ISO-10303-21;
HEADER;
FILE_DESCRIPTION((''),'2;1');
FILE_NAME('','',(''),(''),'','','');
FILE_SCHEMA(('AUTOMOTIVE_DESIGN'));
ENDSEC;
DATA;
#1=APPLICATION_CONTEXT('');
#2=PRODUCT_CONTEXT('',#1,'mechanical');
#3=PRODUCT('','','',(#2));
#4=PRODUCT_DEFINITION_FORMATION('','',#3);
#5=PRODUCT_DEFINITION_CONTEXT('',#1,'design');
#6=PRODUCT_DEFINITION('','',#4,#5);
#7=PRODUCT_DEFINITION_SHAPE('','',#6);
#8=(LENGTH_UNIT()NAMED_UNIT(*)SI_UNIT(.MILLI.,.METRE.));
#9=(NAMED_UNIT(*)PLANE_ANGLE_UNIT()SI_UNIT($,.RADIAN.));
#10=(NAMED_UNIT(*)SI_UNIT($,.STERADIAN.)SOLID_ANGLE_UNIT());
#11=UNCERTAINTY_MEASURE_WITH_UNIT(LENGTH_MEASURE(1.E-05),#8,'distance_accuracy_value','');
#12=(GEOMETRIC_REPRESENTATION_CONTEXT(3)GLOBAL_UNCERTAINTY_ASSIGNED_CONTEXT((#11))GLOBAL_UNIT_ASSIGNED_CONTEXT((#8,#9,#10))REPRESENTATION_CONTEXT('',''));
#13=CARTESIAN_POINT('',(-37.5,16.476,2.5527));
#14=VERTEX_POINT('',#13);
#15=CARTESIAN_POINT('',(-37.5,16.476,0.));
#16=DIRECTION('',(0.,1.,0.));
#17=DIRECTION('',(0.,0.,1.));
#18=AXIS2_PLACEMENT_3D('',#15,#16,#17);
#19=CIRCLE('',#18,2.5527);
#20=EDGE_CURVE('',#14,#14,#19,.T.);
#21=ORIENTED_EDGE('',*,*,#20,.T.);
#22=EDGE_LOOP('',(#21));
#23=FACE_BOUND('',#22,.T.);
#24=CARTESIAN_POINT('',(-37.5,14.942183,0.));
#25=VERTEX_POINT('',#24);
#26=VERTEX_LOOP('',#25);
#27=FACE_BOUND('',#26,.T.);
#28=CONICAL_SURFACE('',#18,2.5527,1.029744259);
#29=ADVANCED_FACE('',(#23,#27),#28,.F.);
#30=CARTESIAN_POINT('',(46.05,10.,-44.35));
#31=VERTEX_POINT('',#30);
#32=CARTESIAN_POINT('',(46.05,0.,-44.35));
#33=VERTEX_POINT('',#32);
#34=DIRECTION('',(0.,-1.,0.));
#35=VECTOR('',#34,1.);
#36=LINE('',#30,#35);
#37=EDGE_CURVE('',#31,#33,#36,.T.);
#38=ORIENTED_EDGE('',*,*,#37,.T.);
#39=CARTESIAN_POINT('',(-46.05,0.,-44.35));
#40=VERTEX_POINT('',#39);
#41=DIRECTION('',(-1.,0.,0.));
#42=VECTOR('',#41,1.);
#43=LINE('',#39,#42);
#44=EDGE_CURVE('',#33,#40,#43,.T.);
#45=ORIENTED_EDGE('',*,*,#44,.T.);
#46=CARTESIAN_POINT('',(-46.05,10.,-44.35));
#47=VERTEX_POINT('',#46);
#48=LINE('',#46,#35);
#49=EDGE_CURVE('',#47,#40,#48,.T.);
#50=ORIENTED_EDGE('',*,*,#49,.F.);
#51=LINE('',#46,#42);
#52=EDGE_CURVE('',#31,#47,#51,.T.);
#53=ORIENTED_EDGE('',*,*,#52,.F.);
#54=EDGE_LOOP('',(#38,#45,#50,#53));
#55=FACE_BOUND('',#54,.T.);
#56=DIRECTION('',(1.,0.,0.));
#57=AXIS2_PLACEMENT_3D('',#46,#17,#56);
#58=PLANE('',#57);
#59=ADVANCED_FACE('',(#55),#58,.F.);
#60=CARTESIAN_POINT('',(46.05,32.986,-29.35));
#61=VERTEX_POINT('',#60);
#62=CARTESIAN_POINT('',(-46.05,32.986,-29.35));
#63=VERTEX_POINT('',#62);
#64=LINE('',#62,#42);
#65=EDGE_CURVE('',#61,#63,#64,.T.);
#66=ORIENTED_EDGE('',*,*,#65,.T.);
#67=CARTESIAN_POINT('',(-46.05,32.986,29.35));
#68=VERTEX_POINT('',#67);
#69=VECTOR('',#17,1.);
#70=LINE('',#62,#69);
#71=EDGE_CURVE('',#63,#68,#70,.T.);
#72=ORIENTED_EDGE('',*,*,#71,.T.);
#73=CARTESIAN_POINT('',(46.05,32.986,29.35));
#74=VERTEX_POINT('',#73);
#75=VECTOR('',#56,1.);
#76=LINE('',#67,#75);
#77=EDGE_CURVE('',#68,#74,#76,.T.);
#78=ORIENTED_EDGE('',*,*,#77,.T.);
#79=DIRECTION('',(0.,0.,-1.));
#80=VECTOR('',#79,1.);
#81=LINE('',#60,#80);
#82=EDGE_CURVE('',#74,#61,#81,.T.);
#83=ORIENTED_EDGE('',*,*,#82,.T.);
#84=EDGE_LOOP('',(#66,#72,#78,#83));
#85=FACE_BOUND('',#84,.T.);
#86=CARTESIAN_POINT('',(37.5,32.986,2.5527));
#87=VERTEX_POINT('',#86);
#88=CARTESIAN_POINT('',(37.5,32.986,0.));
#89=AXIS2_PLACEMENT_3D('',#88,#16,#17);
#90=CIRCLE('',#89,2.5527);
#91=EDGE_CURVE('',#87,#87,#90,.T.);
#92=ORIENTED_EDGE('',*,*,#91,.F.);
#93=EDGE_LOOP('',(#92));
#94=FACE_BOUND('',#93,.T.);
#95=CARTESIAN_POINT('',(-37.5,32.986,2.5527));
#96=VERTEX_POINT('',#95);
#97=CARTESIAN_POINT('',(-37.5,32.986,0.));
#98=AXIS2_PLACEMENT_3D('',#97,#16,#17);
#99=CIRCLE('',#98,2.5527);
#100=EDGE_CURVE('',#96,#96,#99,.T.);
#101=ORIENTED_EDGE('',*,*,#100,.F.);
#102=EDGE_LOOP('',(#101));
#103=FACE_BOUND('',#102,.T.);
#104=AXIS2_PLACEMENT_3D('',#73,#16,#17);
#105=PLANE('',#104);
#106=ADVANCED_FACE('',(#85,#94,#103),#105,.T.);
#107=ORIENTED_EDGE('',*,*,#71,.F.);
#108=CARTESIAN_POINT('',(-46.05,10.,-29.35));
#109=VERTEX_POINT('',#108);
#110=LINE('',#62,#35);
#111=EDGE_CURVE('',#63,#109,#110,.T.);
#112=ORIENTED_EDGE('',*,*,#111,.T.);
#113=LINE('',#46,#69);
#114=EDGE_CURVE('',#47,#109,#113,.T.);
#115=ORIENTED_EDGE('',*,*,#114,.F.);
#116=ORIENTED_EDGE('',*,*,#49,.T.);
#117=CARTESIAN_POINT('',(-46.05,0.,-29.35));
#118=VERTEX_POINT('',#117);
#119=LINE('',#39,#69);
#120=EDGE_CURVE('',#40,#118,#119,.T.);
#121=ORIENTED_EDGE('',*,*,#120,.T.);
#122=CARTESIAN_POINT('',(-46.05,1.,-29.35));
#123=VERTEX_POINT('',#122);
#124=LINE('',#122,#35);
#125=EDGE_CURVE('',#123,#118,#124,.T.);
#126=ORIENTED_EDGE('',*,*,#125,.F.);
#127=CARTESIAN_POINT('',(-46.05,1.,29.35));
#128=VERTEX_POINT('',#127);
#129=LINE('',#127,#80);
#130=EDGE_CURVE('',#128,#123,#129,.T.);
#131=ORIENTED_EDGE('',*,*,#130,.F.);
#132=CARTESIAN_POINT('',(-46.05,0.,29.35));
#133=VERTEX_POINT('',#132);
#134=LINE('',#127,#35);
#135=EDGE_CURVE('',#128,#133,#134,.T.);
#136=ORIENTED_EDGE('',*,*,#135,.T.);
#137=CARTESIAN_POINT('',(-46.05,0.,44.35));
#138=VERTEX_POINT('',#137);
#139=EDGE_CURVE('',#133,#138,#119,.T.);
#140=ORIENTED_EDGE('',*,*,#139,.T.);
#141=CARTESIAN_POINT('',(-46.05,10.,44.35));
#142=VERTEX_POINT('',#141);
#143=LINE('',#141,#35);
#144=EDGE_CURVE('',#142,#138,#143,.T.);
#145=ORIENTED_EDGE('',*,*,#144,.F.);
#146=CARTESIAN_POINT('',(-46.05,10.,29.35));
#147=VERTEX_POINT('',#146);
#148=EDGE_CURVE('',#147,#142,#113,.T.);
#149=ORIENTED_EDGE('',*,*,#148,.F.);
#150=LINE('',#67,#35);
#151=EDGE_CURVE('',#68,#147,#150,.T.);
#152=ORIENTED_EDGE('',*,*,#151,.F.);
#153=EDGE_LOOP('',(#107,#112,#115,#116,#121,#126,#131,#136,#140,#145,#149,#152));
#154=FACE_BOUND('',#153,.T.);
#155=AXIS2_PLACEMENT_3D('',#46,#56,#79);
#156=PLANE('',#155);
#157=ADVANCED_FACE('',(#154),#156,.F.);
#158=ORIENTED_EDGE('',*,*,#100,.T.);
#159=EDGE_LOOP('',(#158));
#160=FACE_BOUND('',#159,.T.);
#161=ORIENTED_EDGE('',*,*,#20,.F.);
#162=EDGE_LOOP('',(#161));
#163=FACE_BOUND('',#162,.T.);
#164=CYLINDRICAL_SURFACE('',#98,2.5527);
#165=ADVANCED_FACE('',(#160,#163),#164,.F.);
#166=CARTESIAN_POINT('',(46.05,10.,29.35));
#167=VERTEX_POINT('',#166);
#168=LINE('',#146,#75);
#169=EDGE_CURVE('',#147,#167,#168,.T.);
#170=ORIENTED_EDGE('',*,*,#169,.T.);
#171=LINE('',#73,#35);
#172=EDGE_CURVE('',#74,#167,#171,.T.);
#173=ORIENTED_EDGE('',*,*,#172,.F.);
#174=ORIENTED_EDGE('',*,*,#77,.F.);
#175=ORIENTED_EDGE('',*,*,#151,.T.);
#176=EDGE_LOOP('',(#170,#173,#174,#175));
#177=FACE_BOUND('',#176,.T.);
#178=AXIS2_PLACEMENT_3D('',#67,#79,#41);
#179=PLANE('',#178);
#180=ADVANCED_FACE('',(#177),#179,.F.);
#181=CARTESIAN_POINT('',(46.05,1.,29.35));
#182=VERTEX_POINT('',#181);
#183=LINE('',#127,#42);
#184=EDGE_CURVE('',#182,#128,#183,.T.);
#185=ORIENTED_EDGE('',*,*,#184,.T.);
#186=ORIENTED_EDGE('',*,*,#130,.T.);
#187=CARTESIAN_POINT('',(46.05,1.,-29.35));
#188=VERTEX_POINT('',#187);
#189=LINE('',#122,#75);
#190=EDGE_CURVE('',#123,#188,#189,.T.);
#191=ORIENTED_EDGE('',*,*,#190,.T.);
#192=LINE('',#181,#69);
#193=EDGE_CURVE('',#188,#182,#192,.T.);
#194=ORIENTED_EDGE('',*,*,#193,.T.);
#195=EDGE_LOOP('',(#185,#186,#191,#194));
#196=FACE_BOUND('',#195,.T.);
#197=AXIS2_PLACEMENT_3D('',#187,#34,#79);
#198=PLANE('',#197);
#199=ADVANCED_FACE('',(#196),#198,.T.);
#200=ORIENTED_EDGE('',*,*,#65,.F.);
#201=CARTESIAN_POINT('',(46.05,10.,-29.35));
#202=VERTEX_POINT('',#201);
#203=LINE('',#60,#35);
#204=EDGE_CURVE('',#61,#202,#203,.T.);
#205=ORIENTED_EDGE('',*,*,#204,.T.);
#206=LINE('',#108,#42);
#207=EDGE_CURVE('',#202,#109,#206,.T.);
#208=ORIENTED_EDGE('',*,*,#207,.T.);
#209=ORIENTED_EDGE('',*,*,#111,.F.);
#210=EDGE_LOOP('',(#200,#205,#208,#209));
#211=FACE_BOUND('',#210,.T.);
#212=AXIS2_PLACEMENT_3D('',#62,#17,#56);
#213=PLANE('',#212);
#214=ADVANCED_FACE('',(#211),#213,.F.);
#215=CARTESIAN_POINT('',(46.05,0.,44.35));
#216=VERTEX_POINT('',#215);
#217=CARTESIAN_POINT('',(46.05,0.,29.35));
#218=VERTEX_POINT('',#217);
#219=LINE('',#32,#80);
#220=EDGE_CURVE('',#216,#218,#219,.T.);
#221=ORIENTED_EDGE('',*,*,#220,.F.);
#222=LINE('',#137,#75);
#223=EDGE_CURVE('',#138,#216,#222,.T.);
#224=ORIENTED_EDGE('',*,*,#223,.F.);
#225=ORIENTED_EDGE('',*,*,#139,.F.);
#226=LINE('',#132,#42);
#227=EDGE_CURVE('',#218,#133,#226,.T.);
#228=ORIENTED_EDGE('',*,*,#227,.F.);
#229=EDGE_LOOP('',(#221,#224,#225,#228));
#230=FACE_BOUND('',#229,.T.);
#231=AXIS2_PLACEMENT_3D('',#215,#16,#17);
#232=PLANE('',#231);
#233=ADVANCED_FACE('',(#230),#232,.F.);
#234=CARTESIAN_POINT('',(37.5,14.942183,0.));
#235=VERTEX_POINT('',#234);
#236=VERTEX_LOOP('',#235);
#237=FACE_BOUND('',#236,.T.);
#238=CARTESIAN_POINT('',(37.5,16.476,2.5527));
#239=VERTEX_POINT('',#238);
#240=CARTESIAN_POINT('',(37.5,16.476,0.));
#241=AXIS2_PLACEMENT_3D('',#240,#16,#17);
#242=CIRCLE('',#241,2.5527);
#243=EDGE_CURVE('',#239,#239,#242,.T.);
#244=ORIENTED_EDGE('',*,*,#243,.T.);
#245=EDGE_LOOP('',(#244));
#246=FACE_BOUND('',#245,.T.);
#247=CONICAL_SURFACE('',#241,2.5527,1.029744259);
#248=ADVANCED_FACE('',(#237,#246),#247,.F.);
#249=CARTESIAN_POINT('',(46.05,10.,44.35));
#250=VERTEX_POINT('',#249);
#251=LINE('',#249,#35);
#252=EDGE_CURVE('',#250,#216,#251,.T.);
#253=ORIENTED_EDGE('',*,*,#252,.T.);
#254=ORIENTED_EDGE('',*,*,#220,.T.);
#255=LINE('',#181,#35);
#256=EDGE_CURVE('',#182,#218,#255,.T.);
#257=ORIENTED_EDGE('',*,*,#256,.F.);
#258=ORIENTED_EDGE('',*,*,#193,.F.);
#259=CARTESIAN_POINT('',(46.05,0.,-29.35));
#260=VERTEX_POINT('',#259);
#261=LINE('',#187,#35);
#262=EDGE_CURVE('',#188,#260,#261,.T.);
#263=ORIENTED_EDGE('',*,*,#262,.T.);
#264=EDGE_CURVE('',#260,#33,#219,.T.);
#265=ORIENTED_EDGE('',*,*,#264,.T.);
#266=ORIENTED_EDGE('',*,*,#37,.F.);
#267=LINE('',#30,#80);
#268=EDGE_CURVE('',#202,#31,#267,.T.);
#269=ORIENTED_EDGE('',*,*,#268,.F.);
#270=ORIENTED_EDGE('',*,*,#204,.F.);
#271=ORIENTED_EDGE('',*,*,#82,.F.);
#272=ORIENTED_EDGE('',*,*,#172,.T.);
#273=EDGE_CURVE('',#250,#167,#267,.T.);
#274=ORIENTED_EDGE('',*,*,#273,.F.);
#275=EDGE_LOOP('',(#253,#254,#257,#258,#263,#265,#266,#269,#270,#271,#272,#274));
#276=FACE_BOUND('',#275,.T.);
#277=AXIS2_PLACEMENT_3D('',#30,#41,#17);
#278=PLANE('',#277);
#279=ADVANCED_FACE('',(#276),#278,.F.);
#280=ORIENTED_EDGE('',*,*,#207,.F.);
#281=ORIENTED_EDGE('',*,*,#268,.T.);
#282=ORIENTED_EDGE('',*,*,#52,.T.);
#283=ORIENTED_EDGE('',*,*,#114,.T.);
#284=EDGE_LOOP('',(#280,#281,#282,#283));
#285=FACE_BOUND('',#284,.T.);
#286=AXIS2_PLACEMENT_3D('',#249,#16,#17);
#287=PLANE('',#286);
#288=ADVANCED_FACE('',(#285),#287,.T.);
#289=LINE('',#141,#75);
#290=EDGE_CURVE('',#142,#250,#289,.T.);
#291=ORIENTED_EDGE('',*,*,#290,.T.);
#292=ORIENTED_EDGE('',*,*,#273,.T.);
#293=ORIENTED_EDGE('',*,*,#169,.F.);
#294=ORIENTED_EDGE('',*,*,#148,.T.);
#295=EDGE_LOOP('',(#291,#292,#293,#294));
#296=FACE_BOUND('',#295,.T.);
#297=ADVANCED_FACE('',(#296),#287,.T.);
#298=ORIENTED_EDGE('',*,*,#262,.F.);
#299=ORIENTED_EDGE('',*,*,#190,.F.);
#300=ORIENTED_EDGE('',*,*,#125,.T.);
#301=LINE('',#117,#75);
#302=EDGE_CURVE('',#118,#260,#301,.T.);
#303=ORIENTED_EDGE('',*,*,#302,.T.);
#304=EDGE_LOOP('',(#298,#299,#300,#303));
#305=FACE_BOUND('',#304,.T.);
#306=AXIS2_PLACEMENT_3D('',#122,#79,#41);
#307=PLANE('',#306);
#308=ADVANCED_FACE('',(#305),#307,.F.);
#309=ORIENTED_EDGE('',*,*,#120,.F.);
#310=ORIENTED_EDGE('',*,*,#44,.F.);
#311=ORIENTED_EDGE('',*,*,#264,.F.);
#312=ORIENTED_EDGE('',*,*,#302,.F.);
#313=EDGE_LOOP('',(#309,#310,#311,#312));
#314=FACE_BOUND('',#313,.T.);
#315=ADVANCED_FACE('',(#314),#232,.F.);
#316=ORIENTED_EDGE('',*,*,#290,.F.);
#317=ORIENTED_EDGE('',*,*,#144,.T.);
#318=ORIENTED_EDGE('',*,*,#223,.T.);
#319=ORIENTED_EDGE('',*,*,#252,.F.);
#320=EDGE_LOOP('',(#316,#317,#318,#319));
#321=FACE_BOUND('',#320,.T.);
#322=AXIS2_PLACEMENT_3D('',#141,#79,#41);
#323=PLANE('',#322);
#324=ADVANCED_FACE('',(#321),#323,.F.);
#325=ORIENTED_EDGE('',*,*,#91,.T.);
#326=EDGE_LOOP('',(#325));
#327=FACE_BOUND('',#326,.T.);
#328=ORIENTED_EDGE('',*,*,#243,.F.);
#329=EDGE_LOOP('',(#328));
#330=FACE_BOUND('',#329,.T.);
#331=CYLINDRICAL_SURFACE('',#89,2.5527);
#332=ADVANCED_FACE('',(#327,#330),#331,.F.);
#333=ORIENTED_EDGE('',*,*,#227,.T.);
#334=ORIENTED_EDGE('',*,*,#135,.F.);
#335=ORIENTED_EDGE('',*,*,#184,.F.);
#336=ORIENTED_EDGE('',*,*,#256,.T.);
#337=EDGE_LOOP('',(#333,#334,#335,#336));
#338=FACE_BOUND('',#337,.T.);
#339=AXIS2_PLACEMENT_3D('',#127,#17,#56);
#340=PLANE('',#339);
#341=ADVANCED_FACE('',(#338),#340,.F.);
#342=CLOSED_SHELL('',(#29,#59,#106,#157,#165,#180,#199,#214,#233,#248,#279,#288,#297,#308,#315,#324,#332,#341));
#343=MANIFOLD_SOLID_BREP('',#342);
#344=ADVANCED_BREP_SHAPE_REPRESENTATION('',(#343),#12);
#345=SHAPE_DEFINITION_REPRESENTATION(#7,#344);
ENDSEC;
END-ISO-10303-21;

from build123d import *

# Parameters (mm, degrees)
SKETCH1_W                   = 92.1
SKETCH1_H                   = 88.7
BOSS_EXTRUDE1_DEPTH         = 10
SKETCH2_W                   = 92.1
SKETCH2_H                   = 58.7
BOSS_EXTRUDE2_DEPTH         = 22.986
SKETCH16_W                  = 92.1
SKETCH16_H                  = 58.7
CUT_EXTRUDE2_DEPTH          = 1
F_1_4_20_TAPPED_HOLE1_D     = 5.1054
F_1_4_20_TAPPED_HOLE1_DEPTH = 16.51
F_1_4_20_TAPPED_HOLE1_TIP   = 1.533816902


with BuildPart() as part:
    # Sketch1 → Boss-Extrude1 (new body)
    with BuildSketch(Plane(origin=(0, 0, 0), x_dir=(1, 0, 0), z_dir=(0, 1, 0))):
        Rectangle(SKETCH1_W, SKETCH1_H)
    extrude(amount=BOSS_EXTRUDE1_DEPTH)

    # Sketch2 → Boss-Extrude2 (add)
    with BuildSketch(Plane(origin=(0, 10, 0), x_dir=(1, 0, 0), z_dir=(0, 1, 0))):
        Rectangle(SKETCH2_W, SKETCH2_H)
    extrude(amount=BOSS_EXTRUDE2_DEPTH)

    # Sketch16 → Cut-Extrude2 (cut)
    with BuildSketch(Plane.XZ):
        Rectangle(SKETCH16_W, SKETCH16_H)
    extrude(amount=-CUT_EXTRUDE2_DEPTH, mode=Mode.SUBTRACT)

    # 1/4-20 Tapped Hole1
    with Locations(Plane(origin=(0, 32.986, 0), x_dir=(-1, 0, 0), z_dir=(0, 1, 0))):
        with Locations((37.5, 0), (-37.5, 0)):
            Hole(F_1_4_20_TAPPED_HOLE1_D / 2, depth=F_1_4_20_TAPPED_HOLE1_DEPTH)
            with Locations((0, 0, -(F_1_4_20_TAPPED_HOLE1_DEPTH + F_1_4_20_TAPPED_HOLE1_TIP / 2))):  # 118° drill point
                Cone(0, F_1_4_20_TAPPED_HOLE1_D / 2, F_1_4_20_TAPPED_HOLE1_TIP, mode=Mode.SUBTRACT)


solid = part.part
